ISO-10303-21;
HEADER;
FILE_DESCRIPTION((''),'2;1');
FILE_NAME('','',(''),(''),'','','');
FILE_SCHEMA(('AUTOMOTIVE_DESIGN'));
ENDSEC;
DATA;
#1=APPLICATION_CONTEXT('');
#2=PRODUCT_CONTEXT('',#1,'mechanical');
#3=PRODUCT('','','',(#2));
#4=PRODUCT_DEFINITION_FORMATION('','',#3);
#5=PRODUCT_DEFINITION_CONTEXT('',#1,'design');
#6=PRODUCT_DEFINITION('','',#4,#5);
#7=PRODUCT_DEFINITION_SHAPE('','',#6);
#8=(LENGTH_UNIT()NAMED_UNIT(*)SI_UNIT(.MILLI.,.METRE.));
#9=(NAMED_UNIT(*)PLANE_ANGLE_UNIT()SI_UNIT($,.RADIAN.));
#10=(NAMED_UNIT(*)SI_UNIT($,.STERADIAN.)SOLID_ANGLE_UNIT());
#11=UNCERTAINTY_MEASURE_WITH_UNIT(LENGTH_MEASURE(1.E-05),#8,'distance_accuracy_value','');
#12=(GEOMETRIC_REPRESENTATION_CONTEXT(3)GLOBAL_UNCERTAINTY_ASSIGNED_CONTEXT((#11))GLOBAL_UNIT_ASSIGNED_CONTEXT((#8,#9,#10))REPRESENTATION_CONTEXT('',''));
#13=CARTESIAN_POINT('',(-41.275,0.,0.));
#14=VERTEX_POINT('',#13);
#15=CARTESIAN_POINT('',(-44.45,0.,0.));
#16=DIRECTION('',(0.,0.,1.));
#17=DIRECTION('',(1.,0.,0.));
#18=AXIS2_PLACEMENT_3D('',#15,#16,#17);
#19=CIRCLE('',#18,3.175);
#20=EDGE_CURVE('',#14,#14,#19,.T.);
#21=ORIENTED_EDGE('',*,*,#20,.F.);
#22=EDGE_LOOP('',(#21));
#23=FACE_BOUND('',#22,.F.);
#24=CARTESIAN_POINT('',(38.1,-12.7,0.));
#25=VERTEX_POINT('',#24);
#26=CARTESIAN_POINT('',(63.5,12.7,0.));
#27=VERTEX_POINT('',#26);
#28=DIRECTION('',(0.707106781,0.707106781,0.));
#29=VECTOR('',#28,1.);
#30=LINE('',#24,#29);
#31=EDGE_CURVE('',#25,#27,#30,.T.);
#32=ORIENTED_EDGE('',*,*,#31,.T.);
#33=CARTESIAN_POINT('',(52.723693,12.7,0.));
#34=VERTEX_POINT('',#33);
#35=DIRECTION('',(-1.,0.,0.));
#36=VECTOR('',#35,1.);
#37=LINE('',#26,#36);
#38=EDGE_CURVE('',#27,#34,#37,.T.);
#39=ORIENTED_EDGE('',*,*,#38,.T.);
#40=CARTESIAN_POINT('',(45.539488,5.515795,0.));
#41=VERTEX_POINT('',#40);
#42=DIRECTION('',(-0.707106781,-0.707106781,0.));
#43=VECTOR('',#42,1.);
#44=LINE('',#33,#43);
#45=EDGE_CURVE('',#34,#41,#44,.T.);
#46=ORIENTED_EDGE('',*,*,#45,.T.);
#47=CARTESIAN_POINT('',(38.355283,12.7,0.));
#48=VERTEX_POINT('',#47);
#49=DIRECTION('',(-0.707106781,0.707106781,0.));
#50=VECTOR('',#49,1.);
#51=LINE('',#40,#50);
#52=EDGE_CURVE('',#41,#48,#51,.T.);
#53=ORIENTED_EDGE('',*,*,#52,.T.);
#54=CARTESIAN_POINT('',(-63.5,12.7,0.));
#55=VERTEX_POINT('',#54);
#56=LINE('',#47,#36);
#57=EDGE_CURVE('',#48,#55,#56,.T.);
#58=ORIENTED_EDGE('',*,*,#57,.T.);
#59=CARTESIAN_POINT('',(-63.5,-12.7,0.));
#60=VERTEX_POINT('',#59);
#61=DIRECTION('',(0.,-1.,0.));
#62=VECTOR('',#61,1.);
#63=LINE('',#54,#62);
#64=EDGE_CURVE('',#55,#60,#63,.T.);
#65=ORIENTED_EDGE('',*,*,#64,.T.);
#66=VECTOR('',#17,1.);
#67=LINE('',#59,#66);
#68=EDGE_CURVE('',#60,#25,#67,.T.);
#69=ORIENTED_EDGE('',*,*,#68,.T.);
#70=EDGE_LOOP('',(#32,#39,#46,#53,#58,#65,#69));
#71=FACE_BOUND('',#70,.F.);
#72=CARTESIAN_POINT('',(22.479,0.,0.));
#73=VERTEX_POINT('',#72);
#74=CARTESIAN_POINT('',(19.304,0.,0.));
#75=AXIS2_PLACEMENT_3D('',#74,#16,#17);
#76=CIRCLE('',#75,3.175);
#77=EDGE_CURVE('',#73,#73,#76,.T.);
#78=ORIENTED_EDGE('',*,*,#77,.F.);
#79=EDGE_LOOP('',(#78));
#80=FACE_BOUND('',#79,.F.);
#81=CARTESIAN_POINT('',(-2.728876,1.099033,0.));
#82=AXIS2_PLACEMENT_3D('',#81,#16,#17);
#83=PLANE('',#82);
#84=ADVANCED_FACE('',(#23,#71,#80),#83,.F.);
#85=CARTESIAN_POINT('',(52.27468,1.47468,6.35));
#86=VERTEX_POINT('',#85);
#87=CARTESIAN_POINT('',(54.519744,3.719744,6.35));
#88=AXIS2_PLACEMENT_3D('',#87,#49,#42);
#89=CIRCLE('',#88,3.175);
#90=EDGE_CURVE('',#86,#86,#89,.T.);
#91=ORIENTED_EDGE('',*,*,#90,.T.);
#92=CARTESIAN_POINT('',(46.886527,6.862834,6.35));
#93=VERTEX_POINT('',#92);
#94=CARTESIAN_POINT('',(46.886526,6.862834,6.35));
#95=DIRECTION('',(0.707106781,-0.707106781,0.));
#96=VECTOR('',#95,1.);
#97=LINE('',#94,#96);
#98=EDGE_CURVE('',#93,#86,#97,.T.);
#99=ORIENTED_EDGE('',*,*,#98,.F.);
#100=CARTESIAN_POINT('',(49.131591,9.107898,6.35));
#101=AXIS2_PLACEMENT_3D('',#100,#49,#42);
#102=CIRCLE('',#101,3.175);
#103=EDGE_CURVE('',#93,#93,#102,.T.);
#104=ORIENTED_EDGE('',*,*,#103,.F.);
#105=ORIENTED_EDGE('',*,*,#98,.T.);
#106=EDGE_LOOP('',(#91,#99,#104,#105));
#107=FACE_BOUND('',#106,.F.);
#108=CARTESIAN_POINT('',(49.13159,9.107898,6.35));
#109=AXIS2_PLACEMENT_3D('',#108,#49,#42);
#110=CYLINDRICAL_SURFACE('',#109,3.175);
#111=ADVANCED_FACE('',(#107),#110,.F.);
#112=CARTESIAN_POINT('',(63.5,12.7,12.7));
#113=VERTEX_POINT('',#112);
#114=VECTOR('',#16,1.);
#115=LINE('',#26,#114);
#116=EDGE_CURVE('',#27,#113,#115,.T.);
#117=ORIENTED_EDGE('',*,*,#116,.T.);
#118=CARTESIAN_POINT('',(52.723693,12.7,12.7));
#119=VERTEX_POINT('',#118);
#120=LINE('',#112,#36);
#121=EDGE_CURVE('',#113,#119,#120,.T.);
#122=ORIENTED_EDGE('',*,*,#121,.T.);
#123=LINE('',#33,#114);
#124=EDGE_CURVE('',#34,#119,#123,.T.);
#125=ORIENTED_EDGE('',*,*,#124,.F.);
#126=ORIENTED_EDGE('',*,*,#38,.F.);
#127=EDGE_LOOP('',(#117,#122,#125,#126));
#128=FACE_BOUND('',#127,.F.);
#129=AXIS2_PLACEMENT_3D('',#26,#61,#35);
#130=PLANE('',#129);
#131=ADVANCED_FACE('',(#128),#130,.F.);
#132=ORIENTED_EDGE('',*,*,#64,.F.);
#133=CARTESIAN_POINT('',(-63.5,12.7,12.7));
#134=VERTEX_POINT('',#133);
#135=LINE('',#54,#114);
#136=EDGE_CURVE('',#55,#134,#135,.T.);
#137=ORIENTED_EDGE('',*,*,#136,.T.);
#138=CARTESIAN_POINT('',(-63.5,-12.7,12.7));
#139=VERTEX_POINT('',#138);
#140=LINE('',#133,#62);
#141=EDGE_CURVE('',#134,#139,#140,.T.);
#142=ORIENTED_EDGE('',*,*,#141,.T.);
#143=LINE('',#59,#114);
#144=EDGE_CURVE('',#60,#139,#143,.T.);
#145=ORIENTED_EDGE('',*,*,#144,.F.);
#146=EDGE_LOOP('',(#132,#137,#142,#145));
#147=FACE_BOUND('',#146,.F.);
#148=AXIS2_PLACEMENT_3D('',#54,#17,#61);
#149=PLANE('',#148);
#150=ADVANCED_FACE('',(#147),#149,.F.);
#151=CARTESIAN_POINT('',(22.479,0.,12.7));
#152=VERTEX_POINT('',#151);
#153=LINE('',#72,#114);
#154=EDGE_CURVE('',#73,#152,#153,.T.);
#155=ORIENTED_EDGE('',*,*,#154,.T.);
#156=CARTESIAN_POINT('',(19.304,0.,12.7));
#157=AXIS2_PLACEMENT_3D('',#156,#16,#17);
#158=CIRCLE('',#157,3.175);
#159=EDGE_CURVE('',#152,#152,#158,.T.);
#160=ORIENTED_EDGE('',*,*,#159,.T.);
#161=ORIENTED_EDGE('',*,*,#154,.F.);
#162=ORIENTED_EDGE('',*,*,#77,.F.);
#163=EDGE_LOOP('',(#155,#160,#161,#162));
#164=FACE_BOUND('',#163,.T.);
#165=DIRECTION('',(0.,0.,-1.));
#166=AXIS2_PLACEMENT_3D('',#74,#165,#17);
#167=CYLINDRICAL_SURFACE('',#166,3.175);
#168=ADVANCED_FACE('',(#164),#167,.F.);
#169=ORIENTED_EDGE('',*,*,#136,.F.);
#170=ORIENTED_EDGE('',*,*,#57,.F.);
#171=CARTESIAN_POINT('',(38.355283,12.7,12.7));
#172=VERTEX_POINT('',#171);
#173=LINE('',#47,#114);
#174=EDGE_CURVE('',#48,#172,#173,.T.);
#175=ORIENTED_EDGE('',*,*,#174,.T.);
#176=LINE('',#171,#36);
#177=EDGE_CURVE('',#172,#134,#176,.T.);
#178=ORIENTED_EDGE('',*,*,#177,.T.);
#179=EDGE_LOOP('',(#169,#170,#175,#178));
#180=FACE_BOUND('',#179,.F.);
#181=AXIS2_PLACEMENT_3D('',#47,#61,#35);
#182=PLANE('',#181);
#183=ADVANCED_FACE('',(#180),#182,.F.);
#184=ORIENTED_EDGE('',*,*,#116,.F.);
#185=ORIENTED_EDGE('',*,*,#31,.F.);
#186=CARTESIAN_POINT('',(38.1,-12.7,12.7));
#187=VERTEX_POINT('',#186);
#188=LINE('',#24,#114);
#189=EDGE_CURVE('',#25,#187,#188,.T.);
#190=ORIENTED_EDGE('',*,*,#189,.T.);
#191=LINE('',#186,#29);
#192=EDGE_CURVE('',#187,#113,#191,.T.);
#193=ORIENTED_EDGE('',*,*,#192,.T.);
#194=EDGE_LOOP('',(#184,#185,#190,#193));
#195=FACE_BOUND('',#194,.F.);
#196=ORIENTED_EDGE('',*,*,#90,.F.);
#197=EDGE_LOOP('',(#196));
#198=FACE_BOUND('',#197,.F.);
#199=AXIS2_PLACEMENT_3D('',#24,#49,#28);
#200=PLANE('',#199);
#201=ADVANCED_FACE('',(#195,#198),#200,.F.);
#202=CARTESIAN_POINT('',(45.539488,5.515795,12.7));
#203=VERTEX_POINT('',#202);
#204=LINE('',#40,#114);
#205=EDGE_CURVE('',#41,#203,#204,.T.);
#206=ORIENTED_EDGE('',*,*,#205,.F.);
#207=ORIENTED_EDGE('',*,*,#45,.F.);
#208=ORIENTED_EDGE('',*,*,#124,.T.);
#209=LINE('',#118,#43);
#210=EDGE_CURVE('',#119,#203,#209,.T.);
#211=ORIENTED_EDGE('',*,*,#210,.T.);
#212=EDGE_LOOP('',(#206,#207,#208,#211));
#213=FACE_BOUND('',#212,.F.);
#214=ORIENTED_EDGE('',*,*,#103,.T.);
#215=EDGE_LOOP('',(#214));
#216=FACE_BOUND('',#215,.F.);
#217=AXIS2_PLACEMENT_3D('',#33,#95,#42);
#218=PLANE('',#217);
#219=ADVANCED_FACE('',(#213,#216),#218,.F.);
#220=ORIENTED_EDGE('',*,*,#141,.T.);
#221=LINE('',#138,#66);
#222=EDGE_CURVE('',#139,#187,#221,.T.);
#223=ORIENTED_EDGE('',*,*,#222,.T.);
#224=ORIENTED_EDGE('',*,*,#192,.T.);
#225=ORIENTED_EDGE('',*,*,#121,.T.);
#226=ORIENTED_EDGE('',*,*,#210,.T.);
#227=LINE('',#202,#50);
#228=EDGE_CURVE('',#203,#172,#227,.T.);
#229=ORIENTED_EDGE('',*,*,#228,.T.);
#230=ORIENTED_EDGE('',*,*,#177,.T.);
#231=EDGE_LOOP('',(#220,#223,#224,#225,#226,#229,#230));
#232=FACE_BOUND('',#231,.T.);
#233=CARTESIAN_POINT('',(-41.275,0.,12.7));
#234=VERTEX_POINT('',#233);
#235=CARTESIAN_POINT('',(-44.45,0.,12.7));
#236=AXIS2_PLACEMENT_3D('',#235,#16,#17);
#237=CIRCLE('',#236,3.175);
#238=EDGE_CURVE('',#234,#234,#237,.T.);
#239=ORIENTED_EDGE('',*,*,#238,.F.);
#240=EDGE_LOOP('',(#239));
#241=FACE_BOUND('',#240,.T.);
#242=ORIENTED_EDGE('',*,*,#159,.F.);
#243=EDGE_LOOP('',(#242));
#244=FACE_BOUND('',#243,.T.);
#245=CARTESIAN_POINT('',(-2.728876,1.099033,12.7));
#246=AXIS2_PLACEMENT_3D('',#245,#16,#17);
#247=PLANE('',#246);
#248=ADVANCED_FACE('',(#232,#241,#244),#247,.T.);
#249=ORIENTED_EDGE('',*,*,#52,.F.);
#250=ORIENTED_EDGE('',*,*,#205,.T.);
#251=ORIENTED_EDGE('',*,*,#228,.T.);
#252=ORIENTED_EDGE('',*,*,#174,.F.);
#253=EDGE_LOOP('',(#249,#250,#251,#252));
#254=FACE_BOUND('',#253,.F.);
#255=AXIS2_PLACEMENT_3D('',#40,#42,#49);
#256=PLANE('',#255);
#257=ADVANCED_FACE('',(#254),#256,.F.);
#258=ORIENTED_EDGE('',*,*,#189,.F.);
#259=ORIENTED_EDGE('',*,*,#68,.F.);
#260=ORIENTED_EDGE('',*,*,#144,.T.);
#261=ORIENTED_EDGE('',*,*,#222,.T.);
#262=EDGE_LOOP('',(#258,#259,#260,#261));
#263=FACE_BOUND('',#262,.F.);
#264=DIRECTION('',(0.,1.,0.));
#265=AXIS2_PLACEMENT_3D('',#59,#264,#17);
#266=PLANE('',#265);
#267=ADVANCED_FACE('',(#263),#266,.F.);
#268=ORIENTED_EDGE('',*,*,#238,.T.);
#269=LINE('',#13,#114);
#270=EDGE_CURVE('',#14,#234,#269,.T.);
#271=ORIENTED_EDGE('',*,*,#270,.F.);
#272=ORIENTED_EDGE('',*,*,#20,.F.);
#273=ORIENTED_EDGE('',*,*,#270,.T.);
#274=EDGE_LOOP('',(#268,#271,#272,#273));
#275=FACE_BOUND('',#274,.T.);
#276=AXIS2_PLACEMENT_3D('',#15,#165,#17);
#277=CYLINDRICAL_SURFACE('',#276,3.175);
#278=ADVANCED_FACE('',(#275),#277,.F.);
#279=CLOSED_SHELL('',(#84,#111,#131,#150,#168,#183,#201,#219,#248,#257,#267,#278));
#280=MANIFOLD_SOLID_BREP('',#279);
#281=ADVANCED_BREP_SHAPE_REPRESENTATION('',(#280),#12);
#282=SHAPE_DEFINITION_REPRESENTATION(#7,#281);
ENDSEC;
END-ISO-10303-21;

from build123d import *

# Parameters (mm, degrees)
F0_R     = 3.175
F1_DEPTH = 12.7
F2_R     = 3.175
F3_DEPTH = 16.7894


with BuildPart() as f1:
    # F0 (on Top) → F1 (new body)
    with BuildSketch(Plane.XY):
        Polygon((38.355283, 12.7), (-63.5, 12.7), (-63.5, -12.7), (38.1, -12.7), (63.5, 12.7), (52.723693, 12.7), (45.539488, 5.515795), align=None)
        with Locations((-44.45, 0)):
            Circle(F0_R, mode=Mode.SUBTRACT)
        with Locations((19.304, 0)):
            Circle(F0_R, mode=Mode.SUBTRACT)
    extrude(amount=F1_DEPTH)

    # F2 (on face) → F3 (cut)
    with BuildSketch(Plane(origin=(20.011846, -20.011846, 0), x_dir=(-0.707107, -0.707107, 0), z_dir=(-0.707107, 0.707107, 0))):
        with Locations((-41.181537, 6.35)):
            Circle(F2_R)
    extrude(amount=-F3_DEPTH, mode=Mode.SUBTRACT)


solid = f1.part
